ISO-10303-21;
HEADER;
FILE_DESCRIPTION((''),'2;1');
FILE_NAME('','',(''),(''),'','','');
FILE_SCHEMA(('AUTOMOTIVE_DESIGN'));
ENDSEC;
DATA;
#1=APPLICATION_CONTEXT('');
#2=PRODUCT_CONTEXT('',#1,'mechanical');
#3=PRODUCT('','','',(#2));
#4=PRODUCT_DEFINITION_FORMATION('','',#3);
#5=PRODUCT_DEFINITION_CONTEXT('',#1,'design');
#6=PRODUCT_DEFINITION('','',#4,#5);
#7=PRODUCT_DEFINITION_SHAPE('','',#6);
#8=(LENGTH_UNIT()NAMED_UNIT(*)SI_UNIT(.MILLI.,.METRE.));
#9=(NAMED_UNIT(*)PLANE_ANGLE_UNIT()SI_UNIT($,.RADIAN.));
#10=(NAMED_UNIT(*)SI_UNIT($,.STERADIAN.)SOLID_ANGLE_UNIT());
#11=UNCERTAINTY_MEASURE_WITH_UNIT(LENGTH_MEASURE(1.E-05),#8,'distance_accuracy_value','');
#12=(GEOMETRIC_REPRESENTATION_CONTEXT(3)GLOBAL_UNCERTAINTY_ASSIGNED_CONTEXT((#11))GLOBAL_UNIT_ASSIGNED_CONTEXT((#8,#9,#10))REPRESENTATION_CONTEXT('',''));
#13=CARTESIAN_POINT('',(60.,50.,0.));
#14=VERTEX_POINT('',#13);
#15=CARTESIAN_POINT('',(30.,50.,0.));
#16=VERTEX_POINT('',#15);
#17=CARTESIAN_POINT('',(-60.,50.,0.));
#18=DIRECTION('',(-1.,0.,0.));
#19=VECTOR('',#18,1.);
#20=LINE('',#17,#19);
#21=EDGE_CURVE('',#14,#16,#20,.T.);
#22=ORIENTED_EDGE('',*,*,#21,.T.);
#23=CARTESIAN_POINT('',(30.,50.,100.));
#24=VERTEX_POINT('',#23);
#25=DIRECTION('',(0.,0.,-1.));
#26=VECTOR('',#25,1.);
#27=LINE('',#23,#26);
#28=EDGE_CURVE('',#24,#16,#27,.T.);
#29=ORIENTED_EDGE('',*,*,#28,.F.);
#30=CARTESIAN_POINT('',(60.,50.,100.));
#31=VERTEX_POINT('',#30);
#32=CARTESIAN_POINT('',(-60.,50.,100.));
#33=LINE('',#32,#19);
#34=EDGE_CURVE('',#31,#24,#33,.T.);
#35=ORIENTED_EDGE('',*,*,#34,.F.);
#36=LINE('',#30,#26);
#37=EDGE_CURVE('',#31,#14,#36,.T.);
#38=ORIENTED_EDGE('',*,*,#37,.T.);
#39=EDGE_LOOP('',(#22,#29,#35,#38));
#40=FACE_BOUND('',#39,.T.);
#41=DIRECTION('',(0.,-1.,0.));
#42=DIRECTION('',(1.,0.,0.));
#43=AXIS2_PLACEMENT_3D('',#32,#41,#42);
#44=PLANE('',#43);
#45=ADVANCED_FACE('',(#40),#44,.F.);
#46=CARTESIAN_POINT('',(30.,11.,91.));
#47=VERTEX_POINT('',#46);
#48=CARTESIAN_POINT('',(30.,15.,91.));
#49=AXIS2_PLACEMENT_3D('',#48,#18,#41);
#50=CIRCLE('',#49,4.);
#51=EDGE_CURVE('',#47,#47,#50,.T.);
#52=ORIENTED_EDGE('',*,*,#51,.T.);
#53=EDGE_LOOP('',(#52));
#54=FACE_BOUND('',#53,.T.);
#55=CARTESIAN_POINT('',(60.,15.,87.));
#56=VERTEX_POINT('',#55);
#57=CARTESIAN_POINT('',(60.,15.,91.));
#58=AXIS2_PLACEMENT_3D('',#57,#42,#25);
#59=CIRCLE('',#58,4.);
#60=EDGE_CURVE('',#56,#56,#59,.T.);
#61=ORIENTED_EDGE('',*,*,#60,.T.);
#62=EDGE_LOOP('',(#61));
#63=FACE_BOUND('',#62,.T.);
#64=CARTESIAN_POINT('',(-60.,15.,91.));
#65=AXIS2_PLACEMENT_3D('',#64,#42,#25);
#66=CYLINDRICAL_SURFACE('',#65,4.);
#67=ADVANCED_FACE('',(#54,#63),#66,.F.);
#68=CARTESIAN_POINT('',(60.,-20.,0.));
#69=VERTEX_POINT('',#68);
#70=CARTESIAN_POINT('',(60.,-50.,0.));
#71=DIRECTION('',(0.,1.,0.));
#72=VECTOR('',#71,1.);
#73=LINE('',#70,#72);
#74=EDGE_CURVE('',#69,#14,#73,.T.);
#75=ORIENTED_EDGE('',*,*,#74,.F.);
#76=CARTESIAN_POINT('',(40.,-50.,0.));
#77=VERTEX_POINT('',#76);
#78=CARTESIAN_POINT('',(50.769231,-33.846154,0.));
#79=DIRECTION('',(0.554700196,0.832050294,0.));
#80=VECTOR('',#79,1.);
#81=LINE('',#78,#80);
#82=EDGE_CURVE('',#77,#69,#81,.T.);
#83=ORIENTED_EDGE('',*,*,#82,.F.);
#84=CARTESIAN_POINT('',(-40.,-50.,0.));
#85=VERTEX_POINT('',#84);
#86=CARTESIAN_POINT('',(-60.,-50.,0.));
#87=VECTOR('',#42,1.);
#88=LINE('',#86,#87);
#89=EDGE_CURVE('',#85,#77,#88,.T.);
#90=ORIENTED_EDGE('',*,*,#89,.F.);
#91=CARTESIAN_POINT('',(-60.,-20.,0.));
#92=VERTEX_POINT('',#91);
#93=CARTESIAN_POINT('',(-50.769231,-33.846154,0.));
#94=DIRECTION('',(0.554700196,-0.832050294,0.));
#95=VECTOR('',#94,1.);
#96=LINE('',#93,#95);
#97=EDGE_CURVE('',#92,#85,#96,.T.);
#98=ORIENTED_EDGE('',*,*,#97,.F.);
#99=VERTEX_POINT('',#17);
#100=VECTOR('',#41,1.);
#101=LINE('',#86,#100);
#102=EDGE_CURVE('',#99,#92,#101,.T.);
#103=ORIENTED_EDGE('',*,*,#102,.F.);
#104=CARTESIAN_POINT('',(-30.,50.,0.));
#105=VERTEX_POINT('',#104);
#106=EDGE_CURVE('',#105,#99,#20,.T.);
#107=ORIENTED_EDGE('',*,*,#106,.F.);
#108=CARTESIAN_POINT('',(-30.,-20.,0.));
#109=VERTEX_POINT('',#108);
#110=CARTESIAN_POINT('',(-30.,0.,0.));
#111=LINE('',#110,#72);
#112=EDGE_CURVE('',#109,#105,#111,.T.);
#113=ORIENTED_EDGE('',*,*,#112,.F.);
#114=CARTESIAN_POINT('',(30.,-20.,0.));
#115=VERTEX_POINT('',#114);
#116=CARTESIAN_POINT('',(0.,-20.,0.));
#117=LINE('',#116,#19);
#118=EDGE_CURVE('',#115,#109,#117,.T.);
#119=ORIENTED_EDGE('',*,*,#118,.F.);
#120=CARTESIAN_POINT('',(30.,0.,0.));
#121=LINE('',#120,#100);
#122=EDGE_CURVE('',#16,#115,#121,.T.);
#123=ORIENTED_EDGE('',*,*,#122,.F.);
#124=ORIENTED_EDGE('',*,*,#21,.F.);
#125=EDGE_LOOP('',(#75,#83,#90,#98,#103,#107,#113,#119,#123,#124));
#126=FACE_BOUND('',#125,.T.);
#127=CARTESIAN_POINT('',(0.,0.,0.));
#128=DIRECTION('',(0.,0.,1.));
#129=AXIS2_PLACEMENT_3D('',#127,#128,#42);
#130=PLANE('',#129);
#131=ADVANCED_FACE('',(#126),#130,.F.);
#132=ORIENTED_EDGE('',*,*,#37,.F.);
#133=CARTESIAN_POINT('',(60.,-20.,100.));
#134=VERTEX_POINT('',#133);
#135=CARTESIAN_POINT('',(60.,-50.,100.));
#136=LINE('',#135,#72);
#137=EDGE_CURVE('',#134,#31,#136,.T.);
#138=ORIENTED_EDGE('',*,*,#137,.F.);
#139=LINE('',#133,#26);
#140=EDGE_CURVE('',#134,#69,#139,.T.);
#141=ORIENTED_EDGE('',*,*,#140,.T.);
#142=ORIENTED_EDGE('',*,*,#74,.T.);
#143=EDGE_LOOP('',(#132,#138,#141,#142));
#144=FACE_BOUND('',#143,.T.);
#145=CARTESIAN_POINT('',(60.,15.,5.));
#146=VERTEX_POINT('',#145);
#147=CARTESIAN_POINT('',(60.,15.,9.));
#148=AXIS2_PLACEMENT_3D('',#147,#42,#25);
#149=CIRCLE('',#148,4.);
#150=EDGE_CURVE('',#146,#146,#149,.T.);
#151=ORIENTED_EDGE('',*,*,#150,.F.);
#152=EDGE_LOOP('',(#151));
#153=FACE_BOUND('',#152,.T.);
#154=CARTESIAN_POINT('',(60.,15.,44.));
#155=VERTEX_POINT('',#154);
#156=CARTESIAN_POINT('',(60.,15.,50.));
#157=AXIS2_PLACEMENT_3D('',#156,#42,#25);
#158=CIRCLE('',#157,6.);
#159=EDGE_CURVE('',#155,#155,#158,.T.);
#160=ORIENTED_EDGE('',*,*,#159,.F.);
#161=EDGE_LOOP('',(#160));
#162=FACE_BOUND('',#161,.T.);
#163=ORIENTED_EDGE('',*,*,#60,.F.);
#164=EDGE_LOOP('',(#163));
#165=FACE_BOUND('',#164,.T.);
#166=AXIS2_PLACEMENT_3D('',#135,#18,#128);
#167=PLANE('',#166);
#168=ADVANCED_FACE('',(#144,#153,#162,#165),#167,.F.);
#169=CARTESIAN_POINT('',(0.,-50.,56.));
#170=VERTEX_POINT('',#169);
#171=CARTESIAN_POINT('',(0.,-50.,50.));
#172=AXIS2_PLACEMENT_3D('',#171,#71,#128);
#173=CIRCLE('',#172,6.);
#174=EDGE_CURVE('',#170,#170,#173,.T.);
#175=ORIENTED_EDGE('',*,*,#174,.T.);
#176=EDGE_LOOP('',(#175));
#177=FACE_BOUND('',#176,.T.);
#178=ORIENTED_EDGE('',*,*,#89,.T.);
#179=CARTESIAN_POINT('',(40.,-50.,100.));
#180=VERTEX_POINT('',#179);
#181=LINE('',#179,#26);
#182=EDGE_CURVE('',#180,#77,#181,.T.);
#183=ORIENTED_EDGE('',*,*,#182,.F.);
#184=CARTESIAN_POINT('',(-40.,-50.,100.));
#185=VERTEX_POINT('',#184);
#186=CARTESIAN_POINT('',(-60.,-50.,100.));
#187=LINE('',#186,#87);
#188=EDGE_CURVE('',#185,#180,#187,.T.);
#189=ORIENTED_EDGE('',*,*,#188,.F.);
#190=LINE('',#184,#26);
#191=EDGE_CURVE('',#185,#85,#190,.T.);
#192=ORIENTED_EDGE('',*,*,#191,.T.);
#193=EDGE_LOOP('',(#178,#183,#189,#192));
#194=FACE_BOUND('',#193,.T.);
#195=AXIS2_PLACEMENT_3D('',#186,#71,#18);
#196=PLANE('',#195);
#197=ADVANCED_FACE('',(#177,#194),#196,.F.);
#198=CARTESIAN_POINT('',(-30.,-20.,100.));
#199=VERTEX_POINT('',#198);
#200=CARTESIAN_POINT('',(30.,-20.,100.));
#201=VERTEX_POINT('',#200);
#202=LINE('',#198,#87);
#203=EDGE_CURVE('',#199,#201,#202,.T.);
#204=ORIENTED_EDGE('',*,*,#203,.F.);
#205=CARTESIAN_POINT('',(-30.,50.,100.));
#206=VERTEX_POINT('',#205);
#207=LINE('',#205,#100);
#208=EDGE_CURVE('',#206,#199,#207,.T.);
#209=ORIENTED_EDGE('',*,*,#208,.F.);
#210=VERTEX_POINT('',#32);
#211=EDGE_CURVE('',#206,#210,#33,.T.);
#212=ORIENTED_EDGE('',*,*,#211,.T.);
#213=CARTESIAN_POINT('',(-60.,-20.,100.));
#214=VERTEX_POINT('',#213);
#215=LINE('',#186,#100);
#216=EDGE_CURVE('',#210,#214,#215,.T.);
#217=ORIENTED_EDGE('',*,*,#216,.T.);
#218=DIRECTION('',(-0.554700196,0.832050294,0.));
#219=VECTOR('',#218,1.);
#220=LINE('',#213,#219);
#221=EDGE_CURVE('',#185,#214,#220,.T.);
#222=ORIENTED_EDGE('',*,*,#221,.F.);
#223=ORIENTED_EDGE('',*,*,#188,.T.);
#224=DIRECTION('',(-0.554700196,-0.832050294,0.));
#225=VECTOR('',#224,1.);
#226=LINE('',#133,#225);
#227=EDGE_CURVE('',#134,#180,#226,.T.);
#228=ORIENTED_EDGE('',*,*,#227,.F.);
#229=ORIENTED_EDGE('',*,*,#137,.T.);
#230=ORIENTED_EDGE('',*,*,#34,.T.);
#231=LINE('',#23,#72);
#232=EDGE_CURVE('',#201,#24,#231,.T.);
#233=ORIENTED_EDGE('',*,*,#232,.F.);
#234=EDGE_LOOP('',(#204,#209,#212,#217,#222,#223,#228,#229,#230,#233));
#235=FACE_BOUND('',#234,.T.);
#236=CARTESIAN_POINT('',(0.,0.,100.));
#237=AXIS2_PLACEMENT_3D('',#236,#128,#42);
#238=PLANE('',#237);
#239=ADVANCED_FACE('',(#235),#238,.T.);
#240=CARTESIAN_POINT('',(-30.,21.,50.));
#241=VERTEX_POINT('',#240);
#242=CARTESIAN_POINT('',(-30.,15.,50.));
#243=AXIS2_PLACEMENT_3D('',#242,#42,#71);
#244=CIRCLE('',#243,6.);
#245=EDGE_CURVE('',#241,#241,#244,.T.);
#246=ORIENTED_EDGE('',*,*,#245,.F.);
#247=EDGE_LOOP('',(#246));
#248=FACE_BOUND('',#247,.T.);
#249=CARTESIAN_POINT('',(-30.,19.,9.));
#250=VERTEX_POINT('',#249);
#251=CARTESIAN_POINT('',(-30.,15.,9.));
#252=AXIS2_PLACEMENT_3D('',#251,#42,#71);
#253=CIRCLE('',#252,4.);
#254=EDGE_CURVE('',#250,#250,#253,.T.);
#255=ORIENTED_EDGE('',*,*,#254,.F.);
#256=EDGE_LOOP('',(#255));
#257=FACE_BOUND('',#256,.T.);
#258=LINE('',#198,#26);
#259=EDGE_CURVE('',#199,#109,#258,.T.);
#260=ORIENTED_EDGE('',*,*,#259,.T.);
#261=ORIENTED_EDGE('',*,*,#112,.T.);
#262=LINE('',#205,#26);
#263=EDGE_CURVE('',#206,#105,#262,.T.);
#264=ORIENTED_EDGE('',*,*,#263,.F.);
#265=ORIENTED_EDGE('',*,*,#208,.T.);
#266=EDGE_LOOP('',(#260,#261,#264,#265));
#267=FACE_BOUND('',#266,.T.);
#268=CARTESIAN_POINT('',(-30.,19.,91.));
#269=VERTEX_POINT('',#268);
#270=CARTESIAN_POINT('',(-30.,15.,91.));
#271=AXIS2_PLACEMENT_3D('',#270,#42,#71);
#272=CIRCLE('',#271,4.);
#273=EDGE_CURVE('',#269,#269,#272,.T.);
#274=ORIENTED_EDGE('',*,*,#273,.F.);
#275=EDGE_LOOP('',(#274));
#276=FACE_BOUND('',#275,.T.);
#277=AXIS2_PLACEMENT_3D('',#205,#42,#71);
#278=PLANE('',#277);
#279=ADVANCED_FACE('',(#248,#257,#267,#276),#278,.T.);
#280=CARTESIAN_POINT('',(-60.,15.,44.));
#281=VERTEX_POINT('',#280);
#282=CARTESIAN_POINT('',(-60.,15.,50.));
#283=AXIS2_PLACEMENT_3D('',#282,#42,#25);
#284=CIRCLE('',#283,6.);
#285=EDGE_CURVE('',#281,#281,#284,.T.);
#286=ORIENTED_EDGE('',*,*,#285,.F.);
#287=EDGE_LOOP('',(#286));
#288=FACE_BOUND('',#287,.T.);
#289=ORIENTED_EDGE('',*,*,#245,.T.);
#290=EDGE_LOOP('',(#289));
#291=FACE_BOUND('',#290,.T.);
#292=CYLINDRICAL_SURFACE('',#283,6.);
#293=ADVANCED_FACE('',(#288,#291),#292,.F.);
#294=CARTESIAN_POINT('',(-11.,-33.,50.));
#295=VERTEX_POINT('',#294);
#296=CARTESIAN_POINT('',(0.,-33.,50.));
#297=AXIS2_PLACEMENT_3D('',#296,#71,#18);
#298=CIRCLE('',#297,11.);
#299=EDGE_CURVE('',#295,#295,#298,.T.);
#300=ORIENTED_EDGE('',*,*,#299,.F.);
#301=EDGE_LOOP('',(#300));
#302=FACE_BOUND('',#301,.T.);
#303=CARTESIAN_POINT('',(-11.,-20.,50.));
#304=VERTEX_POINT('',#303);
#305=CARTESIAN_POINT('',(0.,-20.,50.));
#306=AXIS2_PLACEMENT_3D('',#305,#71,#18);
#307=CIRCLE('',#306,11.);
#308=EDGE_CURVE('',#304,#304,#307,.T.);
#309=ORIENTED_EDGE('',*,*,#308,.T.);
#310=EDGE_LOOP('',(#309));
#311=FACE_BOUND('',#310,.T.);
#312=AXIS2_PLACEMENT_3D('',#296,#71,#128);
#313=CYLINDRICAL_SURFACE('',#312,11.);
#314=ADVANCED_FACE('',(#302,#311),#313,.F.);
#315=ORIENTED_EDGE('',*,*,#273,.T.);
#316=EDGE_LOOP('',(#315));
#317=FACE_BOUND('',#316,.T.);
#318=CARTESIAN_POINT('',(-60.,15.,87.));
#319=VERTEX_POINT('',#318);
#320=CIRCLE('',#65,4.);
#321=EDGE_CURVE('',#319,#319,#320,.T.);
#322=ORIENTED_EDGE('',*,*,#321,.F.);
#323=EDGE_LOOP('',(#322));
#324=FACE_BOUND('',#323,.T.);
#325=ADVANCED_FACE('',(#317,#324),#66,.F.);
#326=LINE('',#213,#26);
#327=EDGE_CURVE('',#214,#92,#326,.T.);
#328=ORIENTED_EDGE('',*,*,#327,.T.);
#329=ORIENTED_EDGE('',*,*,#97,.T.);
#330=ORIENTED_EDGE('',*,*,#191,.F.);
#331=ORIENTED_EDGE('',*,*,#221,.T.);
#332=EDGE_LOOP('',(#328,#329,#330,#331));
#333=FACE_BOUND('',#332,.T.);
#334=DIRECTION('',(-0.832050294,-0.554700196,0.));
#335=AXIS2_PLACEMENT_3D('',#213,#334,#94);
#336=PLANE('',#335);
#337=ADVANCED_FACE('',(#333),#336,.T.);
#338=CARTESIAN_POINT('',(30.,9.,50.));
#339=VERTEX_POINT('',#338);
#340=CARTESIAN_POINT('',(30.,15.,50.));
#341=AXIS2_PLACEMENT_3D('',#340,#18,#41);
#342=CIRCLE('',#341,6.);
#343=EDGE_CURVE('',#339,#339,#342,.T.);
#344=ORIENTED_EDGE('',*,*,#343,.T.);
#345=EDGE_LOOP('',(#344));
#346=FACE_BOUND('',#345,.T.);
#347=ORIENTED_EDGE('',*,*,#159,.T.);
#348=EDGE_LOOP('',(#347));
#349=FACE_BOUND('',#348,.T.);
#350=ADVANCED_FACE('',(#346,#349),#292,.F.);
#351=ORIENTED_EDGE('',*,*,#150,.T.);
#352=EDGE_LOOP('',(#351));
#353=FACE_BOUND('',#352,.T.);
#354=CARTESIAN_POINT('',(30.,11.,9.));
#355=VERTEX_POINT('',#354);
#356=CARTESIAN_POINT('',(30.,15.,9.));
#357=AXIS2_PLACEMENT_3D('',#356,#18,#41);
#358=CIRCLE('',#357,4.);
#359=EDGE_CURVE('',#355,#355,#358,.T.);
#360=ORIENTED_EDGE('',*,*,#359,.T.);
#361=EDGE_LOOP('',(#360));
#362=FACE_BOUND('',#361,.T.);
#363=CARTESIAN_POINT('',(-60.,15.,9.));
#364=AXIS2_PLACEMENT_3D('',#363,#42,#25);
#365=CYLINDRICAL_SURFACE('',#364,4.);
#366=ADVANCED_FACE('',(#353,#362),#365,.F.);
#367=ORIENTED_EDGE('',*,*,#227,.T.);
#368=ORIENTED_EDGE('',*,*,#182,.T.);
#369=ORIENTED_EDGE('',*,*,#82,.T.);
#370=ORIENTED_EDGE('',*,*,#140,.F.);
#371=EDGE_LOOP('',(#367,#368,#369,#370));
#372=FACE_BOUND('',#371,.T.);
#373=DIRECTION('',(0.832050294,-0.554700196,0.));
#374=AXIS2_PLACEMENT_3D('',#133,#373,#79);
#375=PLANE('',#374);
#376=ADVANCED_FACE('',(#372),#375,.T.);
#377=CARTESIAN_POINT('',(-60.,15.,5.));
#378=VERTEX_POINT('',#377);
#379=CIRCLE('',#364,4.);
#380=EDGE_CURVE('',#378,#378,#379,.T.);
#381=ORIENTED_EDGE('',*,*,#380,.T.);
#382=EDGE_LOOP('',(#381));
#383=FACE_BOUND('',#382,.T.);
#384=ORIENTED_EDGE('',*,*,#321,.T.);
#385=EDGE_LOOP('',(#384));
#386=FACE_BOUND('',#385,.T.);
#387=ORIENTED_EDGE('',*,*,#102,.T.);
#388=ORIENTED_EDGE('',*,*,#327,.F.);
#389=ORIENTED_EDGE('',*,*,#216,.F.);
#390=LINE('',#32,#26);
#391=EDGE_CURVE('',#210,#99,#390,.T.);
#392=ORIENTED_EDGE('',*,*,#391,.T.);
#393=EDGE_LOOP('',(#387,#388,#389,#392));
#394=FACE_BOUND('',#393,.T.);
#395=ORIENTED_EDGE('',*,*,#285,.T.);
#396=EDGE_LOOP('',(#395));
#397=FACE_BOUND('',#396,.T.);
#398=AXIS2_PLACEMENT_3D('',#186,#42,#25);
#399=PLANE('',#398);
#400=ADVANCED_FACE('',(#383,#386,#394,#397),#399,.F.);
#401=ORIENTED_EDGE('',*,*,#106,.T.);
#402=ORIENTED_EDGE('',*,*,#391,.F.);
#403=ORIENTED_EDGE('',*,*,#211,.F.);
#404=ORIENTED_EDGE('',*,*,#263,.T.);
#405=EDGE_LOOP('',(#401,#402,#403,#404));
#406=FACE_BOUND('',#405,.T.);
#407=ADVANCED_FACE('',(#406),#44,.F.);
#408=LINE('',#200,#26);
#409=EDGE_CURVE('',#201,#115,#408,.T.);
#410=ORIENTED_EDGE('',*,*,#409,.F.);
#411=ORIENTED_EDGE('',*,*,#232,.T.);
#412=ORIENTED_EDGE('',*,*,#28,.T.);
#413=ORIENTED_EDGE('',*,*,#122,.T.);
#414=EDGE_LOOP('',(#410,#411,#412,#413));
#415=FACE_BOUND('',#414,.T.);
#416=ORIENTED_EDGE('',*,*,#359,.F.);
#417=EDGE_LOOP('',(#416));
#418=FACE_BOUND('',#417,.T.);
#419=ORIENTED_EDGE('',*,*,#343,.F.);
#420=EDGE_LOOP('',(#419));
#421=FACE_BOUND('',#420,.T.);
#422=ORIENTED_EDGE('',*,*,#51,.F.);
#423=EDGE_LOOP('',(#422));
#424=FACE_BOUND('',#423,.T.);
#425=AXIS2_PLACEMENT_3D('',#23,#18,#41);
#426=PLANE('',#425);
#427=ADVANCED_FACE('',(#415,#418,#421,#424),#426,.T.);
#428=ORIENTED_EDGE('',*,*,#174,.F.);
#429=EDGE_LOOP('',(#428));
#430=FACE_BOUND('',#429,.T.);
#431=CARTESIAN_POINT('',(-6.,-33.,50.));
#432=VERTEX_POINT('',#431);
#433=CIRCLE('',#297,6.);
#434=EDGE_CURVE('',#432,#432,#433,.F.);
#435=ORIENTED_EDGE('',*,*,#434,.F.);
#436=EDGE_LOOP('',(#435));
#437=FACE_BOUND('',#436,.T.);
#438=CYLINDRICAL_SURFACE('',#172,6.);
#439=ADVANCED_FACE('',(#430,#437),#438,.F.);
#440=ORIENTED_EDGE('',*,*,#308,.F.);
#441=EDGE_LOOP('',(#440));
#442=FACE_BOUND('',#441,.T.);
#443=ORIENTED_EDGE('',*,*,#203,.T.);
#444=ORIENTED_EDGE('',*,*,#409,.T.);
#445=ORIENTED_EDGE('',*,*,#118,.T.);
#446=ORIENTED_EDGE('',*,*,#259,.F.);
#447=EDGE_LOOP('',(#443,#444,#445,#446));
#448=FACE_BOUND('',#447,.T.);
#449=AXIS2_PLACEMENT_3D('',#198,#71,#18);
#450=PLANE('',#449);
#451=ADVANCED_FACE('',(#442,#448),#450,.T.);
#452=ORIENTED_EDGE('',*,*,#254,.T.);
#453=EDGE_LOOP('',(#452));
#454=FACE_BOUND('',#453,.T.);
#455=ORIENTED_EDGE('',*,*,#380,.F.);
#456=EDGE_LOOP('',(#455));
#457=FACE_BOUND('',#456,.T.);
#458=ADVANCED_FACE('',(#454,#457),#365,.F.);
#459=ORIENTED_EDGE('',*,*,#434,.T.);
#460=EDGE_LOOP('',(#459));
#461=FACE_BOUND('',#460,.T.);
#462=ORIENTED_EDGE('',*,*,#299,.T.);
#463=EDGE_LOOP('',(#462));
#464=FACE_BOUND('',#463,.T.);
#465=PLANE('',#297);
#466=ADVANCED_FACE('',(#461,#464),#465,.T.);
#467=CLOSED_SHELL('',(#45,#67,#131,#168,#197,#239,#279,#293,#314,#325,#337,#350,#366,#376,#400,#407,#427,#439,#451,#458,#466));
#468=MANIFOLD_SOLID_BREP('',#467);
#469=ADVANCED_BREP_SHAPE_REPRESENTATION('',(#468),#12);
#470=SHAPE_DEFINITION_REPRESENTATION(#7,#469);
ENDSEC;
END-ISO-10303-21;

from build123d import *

# Parameters (mm, degrees)
SKETCH1_W               = 120
SKETCH1_H               = 100
BOSS_EXTRUDE1_DEPTH     = 100
SKETCH2_W               = 60
SKETCH2_H               = 70
CUT_EXTRUDE2_DEPTH      = 101
CUT_EXTRUDE2_DEPTH_BACK = 1
SKETCH3_R               = 6
CUT_EXTRUDE3_DEPTH      = 51
CUT_EXTRUDE3_DEPTH_BACK = 51
SKETCH5_R               = 4
CUT_EXTRUDE4_DEPTH      = 61
CUT_EXTRUDE4_DEPTH_BACK = 61
SKETCH6_R               = 6
CUT_EXTRUDE5_DEPTH      = 61
CUT_EXTRUDE5_DEPTH_BACK = 61
CUT_EXTRUDE7_START      = -20
SKETCH7_R               = 11
CUT_EXTRUDE7_DEPTH      = 13


with BuildPart() as part:
    # Sketch1 → Boss-Extrude1 (new body)
    with BuildSketch(Plane.XY):
        Rectangle(SKETCH1_W, SKETCH1_H)
    extrude(amount=BOSS_EXTRUDE1_DEPTH)

    # Sketch2 → Cut-Extrude2 (cut, two sides)
    with BuildSketch(Plane.XY) as cut_extrude2_sk:
        Polygon((-60, -20), (-40, -50), (-60, -50), align=None)
        with Locations((0, 15)):
            Rectangle(SKETCH2_W, SKETCH2_H)
        Polygon((60, -50), (40, -50), (60, -20), align=None)
    extrude(amount=CUT_EXTRUDE2_DEPTH, mode=Mode.SUBTRACT)
    extrude(cut_extrude2_sk.sketch, amount=-CUT_EXTRUDE2_DEPTH_BACK, mode=Mode.SUBTRACT)

    # Sketch3 → Cut-Extrude3 (cut, two sides)
    with BuildSketch(Plane(origin=(0, 0, 0), x_dir=(1, 0, 0), z_dir=(0, 1, 0))) as cut_extrude3_sk:
        with Locations((0, -50)):
            Circle(SKETCH3_R)
    extrude(amount=CUT_EXTRUDE3_DEPTH, mode=Mode.SUBTRACT)
    extrude(cut_extrude3_sk.sketch, amount=-CUT_EXTRUDE3_DEPTH_BACK, mode=Mode.SUBTRACT)

    # Sketch5 → Cut-Extrude4 (cut, two sides)
    with BuildSketch(Plane(origin=(0, 0, 0), x_dir=(0, 0, -1), z_dir=(1, 0, 0))) as cut_extrude4_sk:
        with Locations((-91, 15)):
            Circle(SKETCH5_R)
        with Locations((-9, 15)):
            Circle(SKETCH5_R)
    extrude(amount=CUT_EXTRUDE4_DEPTH, mode=Mode.SUBTRACT)
    extrude(cut_extrude4_sk.sketch, amount=-CUT_EXTRUDE4_DEPTH_BACK, mode=Mode.SUBTRACT)

    # Sketch6 → Cut-Extrude5 (cut, two sides)
    with BuildSketch(Plane(origin=(0, 0, 0), x_dir=(0, 0, -1), z_dir=(1, 0, 0))) as cut_extrude5_sk:
        with Locations((-50, 15)):
            Circle(SKETCH6_R)
    extrude(amount=CUT_EXTRUDE5_DEPTH, mode=Mode.SUBTRACT)
    extrude(cut_extrude5_sk.sketch, amount=-CUT_EXTRUDE5_DEPTH_BACK, mode=Mode.SUBTRACT)

    # Sketch7 → Cut-Extrude7 (cut)
    with BuildSketch(Plane(origin=(0, 0, 0), x_dir=(1, 0, 0), z_dir=(0, 1, 0)).offset(CUT_EXTRUDE7_START)):
        with Locations((0, -50)):
            Circle(SKETCH7_R)
    extrude(amount=-CUT_EXTRUDE7_DEPTH, mode=Mode.SUBTRACT)


solid = part.part
